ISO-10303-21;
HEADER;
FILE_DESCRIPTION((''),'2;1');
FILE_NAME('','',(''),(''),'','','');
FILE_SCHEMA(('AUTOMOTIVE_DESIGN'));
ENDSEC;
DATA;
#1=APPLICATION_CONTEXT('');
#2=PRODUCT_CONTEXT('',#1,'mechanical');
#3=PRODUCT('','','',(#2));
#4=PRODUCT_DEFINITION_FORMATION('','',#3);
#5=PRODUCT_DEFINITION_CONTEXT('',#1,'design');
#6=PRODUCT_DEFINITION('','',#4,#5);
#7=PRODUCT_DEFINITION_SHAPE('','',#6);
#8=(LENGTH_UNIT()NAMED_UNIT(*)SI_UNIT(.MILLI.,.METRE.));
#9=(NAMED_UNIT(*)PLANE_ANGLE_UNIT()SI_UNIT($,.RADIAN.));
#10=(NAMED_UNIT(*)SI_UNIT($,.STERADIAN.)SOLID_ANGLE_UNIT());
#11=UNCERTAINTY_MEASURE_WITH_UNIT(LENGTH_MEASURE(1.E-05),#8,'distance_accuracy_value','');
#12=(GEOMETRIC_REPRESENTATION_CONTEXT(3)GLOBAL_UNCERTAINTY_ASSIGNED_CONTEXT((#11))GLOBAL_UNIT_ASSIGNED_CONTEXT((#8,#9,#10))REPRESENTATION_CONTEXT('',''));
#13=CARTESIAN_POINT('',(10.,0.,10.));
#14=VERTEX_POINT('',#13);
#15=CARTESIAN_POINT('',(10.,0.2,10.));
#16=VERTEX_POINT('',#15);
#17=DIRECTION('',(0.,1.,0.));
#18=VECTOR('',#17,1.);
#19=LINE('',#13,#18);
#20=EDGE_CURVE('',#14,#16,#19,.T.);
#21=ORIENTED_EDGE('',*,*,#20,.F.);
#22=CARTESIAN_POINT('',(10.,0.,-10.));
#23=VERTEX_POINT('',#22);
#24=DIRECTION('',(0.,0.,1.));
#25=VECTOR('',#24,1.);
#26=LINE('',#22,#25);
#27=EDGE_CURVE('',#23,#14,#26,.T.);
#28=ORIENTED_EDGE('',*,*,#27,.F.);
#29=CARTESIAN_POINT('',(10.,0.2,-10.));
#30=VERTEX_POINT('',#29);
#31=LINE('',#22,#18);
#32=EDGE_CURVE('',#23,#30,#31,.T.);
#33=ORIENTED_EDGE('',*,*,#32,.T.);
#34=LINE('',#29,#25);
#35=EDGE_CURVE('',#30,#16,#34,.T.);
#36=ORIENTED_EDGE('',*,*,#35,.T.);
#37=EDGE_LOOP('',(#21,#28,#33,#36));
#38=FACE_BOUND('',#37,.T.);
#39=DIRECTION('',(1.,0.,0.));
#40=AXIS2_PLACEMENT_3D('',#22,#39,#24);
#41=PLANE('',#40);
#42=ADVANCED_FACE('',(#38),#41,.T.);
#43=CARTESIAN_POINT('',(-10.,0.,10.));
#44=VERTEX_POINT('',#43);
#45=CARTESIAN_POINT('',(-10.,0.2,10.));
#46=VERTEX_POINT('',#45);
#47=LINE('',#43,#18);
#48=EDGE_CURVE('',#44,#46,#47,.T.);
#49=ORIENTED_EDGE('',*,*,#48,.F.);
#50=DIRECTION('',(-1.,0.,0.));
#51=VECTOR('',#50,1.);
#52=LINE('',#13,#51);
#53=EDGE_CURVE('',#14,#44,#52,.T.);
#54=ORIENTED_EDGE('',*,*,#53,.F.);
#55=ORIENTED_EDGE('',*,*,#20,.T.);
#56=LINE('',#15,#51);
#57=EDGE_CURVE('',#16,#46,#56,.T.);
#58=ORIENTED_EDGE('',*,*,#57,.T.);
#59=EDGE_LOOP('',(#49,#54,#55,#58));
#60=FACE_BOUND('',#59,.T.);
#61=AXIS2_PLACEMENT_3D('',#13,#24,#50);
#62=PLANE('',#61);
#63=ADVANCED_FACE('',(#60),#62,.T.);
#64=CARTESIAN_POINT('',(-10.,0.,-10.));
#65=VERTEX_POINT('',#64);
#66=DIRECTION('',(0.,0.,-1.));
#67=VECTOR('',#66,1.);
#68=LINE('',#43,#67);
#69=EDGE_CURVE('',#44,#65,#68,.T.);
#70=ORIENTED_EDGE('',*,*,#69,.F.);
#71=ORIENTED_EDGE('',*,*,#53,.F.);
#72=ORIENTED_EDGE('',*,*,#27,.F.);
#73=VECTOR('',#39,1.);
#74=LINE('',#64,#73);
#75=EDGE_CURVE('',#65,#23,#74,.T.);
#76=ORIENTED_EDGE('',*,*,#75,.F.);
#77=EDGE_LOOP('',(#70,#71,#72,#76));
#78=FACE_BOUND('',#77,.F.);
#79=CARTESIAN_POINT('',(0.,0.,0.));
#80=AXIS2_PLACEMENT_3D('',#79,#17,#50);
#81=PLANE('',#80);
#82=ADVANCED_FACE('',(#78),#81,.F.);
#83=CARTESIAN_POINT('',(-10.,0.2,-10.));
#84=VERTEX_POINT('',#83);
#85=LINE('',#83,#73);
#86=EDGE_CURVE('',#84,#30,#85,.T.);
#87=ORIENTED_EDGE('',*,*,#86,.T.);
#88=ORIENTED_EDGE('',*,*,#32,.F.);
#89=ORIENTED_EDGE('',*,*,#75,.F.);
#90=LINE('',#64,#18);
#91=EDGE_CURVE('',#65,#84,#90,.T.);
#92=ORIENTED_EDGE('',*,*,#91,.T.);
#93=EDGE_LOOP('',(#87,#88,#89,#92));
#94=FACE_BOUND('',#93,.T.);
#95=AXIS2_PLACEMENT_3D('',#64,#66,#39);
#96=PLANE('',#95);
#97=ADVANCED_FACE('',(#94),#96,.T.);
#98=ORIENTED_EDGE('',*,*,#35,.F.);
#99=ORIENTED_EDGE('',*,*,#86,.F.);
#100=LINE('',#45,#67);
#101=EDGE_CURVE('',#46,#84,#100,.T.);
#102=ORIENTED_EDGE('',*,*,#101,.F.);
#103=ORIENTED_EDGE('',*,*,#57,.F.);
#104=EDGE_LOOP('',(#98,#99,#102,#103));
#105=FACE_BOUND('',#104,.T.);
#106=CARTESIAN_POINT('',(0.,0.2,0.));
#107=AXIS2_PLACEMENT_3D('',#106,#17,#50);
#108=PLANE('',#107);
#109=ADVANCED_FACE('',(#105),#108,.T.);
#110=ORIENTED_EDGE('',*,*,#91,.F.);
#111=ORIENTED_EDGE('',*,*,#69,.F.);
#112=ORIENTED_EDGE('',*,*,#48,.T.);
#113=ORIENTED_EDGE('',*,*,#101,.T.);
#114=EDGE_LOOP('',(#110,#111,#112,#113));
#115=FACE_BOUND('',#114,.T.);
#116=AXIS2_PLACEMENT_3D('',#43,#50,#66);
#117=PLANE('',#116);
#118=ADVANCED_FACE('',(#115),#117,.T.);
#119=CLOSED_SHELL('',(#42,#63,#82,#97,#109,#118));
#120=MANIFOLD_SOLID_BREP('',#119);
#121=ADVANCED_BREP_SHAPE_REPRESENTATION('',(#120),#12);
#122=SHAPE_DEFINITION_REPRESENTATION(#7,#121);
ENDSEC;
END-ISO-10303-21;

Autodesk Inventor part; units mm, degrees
ref_plane "YZ Plane" through (0, 0, 0) normal (1, 0, 0) x (0, 1, 0)
ref_plane "XZ Plane" through (0, 0, 0) normal (0, 1, 0) x (-1, 0, 0)
ref_plane "XY Plane" through (0, 0, 0) normal (0, 0, 1) x (1, 0, 0)
sketch "Sketch1" plane through (0, 0, 0) normal (0, 1, 0) x (-1, 0, 0)
  line L0 (-10, 10) -> (10, 10)
  line L1 (10, 10) -> (10, -10)
  line L2 (10, -10) -> (-10, -10)
  line L3 (-10, -10) -> (-10, 10)
  line L4 (-10, 10) -> (10, -10) construction
  line L5 (10, 10) -> (-10, -10) construction
  point P0 (0, 0)
  dimension "d0" = 20
  dimension "d1" = 20
extrude "Extrusion1" add sketch "Sketch1" along normal blind 0.2
properties part number "shape_002_v11"
